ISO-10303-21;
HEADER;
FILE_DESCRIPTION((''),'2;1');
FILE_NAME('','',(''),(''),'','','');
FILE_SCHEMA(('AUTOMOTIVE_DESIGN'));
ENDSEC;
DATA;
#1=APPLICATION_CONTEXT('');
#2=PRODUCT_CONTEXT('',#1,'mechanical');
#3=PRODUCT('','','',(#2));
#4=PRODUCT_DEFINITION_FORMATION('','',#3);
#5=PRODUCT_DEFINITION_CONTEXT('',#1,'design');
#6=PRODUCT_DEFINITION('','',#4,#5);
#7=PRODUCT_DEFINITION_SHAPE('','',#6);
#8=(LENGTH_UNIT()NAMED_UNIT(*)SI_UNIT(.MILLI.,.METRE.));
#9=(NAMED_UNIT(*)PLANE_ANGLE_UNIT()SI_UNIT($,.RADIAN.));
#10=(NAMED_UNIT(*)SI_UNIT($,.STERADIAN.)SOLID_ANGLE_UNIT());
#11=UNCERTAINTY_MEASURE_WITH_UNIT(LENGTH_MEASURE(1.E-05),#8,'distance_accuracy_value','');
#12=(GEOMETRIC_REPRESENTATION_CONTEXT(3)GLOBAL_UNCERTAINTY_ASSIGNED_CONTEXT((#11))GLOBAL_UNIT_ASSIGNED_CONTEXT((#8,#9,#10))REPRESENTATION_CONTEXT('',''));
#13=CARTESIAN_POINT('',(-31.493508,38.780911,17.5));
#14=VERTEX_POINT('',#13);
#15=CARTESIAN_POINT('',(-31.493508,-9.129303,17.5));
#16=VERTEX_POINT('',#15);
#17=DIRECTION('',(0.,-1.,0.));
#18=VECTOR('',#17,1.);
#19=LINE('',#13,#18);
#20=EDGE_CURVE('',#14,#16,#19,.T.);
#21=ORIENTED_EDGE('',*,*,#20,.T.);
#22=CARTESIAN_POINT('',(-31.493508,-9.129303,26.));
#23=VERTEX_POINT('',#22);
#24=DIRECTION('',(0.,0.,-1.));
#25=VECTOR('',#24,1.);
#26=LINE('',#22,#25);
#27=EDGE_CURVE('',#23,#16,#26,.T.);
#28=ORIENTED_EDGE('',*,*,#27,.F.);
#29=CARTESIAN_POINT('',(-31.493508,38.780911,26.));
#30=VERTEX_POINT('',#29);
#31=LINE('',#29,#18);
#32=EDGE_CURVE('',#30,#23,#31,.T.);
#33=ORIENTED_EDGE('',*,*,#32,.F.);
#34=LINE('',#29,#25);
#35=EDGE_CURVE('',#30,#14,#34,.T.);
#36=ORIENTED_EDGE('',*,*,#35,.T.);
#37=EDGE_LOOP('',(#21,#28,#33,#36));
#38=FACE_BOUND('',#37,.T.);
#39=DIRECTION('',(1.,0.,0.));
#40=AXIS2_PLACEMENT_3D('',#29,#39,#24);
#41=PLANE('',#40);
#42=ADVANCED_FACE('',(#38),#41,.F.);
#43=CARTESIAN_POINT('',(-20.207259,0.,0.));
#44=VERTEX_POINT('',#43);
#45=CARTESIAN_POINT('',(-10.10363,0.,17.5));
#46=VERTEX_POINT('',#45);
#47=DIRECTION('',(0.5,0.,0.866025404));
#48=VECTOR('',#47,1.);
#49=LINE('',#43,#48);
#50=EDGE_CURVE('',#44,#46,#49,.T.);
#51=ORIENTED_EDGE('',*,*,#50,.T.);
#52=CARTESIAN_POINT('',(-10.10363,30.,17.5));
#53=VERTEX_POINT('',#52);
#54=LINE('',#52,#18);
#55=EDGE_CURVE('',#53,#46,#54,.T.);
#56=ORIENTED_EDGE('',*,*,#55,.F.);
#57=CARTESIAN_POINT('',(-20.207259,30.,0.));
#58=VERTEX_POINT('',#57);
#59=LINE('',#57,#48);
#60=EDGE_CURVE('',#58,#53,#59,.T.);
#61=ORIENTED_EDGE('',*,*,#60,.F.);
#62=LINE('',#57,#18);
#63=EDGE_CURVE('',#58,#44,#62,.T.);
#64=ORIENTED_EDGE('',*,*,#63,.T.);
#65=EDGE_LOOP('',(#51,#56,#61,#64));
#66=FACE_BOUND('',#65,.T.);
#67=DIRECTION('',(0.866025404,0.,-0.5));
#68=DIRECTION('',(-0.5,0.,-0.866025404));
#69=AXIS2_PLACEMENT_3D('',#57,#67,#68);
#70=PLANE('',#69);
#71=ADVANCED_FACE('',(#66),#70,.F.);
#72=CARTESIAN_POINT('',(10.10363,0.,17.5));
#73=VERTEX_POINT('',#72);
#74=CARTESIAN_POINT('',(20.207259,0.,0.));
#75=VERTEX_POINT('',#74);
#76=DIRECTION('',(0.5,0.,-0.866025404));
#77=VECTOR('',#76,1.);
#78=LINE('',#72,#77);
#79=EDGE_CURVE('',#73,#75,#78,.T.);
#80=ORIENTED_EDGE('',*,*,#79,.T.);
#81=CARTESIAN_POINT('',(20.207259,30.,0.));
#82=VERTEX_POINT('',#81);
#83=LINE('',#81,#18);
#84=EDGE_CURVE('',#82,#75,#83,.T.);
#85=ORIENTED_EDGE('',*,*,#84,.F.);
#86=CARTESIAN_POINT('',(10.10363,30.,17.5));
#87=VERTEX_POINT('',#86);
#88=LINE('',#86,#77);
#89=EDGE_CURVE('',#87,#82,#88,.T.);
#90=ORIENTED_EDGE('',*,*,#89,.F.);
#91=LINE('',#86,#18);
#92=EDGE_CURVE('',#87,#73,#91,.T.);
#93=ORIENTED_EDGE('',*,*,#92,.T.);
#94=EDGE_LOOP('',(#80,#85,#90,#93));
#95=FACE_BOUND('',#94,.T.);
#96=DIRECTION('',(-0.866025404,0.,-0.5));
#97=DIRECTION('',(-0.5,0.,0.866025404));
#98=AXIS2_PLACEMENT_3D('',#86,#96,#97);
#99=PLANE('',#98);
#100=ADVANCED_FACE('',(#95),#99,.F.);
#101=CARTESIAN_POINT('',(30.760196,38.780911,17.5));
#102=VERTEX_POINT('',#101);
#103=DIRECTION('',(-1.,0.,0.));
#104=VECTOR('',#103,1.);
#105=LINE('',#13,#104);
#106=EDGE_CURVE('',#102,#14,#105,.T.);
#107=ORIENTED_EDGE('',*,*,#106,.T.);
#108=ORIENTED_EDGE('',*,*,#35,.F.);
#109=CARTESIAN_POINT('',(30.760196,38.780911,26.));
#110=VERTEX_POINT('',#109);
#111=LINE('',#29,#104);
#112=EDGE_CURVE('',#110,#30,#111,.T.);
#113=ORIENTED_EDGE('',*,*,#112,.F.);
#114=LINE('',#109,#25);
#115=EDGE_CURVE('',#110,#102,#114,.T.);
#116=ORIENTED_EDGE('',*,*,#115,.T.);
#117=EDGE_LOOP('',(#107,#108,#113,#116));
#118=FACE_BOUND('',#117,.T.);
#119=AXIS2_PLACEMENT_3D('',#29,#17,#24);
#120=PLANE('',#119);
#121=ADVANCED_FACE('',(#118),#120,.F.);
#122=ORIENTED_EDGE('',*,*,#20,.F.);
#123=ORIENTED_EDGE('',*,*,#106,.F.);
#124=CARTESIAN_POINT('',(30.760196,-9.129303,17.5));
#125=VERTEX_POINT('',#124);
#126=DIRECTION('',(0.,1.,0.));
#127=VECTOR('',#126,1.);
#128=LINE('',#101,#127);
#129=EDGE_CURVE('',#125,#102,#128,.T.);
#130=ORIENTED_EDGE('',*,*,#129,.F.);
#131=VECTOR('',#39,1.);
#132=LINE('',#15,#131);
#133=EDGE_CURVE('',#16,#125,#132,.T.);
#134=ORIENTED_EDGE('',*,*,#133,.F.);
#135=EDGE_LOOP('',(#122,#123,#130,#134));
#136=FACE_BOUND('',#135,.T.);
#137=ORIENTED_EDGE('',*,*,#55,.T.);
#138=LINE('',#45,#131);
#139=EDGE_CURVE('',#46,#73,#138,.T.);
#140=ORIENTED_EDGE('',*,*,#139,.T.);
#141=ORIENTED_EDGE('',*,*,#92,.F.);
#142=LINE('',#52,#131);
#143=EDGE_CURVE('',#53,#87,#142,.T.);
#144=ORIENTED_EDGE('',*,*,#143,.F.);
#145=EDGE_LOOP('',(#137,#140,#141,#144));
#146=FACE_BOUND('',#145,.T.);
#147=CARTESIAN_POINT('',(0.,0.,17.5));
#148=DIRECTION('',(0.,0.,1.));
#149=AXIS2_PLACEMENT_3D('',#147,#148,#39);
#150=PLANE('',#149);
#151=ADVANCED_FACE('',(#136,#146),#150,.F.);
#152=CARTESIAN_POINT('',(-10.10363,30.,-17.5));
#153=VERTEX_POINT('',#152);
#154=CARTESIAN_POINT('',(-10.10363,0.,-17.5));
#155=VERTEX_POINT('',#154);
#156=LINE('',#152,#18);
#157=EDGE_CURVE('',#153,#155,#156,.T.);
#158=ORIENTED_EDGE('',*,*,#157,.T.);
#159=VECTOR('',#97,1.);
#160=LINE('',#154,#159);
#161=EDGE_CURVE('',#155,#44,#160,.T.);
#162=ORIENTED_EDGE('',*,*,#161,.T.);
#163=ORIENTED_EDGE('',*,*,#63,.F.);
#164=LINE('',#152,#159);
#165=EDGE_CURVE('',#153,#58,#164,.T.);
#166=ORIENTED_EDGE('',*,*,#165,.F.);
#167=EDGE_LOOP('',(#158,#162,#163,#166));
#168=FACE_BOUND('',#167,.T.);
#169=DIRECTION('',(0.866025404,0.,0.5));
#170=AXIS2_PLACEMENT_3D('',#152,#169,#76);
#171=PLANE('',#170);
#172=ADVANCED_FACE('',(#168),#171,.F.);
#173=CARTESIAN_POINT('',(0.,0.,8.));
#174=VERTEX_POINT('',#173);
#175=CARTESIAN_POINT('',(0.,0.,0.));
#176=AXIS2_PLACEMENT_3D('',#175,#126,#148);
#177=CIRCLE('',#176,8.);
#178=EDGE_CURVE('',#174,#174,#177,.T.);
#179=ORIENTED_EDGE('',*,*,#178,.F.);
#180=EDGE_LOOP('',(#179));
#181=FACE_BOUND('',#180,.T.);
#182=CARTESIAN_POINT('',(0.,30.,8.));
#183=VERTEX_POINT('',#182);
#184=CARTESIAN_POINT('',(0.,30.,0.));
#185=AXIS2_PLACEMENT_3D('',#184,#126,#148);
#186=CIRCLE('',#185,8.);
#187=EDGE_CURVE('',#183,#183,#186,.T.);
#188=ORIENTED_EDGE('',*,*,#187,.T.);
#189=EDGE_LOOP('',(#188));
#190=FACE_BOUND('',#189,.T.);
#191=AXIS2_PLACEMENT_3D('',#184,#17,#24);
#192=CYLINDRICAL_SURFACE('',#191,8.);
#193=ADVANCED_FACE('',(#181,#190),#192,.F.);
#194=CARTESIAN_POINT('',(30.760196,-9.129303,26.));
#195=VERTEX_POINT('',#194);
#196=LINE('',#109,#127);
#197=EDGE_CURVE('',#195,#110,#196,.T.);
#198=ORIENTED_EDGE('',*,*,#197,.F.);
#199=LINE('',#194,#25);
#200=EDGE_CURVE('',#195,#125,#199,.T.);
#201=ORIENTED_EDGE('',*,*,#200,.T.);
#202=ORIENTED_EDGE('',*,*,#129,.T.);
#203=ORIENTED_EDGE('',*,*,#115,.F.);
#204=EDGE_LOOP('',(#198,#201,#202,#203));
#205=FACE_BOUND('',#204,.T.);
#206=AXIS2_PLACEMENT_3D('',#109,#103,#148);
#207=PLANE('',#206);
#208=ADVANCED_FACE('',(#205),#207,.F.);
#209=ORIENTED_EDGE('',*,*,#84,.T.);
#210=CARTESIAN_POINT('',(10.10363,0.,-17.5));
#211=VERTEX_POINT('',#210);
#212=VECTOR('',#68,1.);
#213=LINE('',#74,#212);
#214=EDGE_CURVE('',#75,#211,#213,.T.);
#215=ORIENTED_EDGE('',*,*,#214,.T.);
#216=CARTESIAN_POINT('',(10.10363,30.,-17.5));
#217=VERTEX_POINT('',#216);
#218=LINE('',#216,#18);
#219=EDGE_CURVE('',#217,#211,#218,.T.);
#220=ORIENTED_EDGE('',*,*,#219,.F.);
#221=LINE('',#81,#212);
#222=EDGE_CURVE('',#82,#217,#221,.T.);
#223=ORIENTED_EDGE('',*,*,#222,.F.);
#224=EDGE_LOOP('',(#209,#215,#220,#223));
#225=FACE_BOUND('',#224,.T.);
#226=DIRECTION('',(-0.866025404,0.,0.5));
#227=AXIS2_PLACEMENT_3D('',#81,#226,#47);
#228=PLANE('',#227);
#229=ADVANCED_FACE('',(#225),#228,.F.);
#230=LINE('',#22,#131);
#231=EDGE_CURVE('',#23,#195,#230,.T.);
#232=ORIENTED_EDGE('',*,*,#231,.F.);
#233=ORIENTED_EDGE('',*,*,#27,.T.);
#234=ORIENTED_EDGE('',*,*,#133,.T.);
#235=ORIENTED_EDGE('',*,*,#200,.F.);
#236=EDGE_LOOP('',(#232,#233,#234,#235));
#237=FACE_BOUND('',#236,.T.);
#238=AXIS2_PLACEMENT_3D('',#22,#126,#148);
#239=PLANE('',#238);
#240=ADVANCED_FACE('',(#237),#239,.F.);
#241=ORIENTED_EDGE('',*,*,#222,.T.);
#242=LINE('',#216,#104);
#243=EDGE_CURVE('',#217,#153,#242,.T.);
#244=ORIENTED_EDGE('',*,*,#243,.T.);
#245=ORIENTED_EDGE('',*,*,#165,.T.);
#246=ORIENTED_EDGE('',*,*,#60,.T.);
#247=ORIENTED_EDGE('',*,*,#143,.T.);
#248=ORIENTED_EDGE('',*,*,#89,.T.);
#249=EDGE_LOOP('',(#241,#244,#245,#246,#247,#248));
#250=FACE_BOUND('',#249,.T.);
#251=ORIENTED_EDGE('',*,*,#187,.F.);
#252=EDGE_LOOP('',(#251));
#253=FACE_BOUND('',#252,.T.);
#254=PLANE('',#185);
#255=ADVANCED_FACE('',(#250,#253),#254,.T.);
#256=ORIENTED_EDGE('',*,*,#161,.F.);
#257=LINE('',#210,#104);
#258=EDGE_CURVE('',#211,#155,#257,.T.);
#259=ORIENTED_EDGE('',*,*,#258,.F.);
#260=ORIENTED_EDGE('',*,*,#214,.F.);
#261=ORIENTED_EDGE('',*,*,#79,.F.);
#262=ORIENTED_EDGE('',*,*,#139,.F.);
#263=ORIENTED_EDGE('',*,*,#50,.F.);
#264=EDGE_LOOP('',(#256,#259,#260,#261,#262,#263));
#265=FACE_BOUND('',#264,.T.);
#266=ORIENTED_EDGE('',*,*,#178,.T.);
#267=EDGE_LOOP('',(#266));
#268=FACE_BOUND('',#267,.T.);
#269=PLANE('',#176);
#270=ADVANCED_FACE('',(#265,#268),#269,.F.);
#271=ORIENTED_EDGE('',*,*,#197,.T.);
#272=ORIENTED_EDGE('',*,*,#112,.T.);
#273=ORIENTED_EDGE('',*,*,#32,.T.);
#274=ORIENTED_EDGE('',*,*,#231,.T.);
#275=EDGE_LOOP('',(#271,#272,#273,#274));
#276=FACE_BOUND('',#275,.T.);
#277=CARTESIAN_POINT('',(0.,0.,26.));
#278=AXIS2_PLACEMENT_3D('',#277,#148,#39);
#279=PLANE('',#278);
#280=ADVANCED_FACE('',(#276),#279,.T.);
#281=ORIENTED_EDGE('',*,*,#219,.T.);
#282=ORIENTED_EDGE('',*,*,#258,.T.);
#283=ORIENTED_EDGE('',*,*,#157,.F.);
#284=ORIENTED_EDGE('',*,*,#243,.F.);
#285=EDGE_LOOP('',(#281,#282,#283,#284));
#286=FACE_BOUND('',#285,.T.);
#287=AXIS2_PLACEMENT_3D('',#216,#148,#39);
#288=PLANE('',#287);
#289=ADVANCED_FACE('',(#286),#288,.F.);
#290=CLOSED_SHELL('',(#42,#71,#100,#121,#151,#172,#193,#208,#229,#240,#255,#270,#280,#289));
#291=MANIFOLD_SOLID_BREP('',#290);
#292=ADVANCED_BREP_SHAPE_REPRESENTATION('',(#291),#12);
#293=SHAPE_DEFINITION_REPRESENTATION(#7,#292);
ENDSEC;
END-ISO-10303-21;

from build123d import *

# Parameters (mm, degrees)
CROQUIS1_R              = 8
SALIENTE_EXTRUIR1_DEPTH = 30
CROQUIS2_W              = 62.253703669
CROQUIS2_H              = 47.910213751
SALIENTE_EXTRUIR2_DEPTH = 8.5


with BuildPart() as part:
    # Croquis1 → Saliente-Extruir1 (new body)
    with BuildSketch(Plane(origin=(0, 0, 0), x_dir=(1, 0, 0), z_dir=(0, 1, 0))):
        Polygon((20.207259422, 0), (10.103629711, 17.5), (-10.103629711, 17.5), (-20.207259422, 0), (-10.103629711, -17.5), (10.103629711, -17.5), align=None)
        with Locations(Location((0, 0, 0), (0, 0, 270))):
            Circle(CROQUIS1_R, mode=Mode.SUBTRACT)
    extrude(amount=SALIENTE_EXTRUIR1_DEPTH)

    # Croquis2 → Saliente-Extruir2 (add)
    with BuildSketch(Plane.XY.offset(17.5)):
        with Locations((-0.366655868, 14.825803959)):
            Rectangle(CROQUIS2_W, CROQUIS2_H)
    extrude(amount=SALIENTE_EXTRUIR2_DEPTH)


solid = part.part
